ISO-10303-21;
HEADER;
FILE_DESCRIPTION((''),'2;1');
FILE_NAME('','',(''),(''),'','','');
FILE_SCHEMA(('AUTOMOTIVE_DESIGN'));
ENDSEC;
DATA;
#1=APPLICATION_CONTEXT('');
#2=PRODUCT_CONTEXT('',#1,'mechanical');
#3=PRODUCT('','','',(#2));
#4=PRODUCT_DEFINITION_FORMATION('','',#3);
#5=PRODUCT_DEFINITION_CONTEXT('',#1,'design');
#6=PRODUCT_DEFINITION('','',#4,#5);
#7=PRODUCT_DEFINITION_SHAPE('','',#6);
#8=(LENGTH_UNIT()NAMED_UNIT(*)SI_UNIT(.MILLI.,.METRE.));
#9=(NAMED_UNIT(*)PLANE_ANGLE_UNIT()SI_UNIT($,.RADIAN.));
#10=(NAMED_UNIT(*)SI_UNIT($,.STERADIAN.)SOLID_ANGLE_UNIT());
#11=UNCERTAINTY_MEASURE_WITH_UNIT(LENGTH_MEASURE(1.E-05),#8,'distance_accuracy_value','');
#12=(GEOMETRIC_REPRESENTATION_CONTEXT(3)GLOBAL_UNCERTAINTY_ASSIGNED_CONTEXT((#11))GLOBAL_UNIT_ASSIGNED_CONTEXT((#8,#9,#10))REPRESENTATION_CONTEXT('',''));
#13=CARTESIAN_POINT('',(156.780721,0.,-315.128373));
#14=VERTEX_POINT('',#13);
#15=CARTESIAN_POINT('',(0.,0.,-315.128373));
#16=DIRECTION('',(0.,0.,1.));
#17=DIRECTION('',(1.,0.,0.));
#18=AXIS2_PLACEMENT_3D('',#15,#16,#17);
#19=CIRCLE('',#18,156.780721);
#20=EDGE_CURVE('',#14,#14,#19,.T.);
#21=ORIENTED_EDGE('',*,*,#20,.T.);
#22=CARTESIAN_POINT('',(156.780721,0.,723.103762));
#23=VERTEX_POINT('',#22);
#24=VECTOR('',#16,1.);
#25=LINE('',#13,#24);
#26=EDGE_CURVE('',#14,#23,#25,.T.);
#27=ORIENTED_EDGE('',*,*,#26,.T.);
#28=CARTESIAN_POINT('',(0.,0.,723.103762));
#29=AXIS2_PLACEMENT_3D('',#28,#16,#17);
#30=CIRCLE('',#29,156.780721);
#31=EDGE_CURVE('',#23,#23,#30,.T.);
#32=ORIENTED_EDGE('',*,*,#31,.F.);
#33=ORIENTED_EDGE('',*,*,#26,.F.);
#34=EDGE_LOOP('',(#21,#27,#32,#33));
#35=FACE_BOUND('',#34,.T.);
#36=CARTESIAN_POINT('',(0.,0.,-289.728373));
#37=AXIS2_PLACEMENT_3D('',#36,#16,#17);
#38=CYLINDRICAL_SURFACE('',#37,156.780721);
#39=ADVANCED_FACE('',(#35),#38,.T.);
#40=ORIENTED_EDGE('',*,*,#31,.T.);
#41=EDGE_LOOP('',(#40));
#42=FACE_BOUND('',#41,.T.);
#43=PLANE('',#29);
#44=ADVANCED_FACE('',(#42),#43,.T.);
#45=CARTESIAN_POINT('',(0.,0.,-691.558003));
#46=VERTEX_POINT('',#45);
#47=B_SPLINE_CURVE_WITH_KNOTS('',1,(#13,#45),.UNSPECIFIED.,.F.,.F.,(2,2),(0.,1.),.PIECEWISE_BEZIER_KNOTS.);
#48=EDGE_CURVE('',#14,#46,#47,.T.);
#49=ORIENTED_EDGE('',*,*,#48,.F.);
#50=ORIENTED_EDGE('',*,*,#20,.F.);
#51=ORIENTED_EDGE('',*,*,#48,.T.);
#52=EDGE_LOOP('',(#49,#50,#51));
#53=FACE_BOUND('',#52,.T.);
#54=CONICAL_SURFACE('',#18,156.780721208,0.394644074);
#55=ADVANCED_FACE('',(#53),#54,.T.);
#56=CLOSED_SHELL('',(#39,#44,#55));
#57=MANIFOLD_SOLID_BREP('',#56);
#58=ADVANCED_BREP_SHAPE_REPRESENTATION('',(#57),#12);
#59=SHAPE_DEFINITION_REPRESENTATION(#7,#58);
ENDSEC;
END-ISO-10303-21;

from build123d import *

# Parameters (mm, degrees)
F0_R      = 156.7807212082
F2_DEPTH  = 723.103761673
F4_DEPTH  = 289.7283732891
F5_DEPTH  = 25.4
F5_FACE_R = 156.7807212082


with BuildPart() as f2:
    # F0 (on Top) → F2 (new body)
    with BuildSketch(Plane.XY):
        Circle(F0_R)
    extrude(amount=F2_DEPTH)

    # F4 (add): a face of the model
    f4_faces = [f2.faces().sort_by_distance(p)[0] for p in [
        (0, 0, 0),
    ]]
    extrude(f4_faces, amount=F4_DEPTH)

    # F5 (add): a face of the model
    f5_faces = [f2.faces().sort_by_distance(p)[0] for p in [
        (0, 0, -289.7283732891),
    ]]
    extrude(f5_faces, amount=F5_DEPTH)

    # F5_face (on face) → F6 section 0
    with BuildSketch(Plane(origin=(0, 0, -315.1283732891), x_dir=(1, 0, 0), z_dir=(0, 0, -1)), mode=Mode.PRIVATE) as f6_s0:
        Circle(F5_FACE_R)
    loft([f6_s0.sketch, Vertex(0, 0, -691.5580034256)])


solid = f2.part
